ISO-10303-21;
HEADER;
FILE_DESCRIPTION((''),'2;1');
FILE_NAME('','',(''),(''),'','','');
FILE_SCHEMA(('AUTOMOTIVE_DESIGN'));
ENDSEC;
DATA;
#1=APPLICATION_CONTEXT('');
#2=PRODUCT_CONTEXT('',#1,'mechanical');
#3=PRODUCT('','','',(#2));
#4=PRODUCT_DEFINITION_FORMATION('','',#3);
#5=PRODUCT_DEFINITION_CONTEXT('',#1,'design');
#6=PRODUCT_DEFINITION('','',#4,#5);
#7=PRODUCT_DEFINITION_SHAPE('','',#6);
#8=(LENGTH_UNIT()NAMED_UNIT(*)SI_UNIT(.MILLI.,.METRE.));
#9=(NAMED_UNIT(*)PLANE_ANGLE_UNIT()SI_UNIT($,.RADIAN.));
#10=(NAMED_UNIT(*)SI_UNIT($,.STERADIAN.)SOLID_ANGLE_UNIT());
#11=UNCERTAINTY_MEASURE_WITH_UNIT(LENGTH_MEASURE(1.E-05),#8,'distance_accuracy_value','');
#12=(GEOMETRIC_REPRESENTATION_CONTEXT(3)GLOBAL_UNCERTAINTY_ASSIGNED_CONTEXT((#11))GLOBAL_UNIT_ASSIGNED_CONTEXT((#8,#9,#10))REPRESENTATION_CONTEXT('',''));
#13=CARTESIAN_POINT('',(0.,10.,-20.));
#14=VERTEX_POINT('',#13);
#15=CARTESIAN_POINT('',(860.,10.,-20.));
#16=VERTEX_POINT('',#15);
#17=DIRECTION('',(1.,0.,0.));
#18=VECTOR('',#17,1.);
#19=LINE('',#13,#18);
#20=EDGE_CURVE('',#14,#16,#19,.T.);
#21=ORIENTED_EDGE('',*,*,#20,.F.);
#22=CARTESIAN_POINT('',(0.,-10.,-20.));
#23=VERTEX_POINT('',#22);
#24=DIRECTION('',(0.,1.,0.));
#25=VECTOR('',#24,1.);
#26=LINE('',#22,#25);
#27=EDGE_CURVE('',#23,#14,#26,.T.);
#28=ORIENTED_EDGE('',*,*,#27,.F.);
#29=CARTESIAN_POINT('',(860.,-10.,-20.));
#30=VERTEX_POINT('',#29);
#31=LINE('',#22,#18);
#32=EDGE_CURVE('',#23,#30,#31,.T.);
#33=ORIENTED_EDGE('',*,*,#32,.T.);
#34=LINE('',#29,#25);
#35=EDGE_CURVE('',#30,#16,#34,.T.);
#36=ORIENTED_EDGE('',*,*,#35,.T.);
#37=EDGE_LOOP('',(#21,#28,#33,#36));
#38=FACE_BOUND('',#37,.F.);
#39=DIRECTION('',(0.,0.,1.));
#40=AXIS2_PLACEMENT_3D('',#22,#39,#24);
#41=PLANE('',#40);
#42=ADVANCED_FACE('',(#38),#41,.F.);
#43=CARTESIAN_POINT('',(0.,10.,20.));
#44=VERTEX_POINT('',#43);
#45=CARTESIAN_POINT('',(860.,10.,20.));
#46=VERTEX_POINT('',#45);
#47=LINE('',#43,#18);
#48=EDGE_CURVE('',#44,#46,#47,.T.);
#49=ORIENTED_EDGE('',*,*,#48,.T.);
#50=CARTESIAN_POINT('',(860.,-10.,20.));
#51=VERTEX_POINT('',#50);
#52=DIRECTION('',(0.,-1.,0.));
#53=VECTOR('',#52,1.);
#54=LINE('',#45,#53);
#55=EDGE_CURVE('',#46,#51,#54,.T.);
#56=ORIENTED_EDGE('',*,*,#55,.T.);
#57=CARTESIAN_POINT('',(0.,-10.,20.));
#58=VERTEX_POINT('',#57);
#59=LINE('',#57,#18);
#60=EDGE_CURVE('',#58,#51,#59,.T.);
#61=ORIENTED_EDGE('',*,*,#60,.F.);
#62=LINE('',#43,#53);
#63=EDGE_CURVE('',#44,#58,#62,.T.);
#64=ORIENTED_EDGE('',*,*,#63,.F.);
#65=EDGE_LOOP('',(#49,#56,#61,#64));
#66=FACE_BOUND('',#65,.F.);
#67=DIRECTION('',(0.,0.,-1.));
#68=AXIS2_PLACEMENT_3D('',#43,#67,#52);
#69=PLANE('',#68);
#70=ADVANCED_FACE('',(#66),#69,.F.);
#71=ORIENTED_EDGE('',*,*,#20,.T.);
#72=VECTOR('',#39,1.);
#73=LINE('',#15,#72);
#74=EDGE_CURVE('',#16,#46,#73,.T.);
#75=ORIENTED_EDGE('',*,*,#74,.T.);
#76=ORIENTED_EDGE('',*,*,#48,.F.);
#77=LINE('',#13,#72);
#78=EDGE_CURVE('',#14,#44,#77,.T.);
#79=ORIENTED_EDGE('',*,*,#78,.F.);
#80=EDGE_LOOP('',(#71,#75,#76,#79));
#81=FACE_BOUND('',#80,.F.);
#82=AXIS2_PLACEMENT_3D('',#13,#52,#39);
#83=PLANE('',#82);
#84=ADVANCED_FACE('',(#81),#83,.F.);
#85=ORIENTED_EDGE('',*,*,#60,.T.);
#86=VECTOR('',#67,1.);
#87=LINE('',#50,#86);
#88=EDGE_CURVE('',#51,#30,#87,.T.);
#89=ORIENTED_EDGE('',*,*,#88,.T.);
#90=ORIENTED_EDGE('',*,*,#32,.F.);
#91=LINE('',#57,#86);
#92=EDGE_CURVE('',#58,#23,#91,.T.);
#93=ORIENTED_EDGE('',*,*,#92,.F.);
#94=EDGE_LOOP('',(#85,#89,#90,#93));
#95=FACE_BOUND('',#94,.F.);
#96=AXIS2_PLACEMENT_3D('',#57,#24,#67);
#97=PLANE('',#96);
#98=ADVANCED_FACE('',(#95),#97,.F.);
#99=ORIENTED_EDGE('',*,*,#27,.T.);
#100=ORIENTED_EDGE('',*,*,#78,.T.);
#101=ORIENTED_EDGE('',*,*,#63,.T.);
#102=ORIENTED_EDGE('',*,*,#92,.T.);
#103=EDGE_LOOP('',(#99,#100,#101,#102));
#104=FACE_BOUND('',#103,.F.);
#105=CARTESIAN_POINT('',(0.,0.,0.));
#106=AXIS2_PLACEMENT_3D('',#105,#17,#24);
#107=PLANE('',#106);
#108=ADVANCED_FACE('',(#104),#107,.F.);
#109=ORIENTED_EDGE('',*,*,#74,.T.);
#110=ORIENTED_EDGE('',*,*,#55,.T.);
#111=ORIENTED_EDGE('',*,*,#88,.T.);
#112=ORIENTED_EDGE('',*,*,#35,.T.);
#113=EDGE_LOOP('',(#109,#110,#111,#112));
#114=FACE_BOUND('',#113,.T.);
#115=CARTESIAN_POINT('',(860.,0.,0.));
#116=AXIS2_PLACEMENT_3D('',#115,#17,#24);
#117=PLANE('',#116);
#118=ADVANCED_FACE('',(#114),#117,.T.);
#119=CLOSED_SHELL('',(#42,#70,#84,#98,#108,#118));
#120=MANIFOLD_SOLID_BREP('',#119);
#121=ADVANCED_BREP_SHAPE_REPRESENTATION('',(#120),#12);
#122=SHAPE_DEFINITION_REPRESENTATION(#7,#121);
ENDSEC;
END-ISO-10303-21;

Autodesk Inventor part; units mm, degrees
ref_plane "YZ Plane" through (0, 0, 0) normal (1, 0, 0) x (0, 1, 0)
ref_plane "XZ Plane" through (0, 0, 0) normal (0, 1, 0) x (-1, 0, 0)
ref_plane "XY Plane" through (0, 0, 0) normal (0, 0, 1) x (1, 0, 0)
sketch "Skizze2" plane through (0, 0, 0) normal (1, 0, 0) x (0, 1, 0)
  line L0 (-10, -20) -> (10, -20)
  line L1 (10, -20) -> (10, 20)
  line L2 (10, 20) -> (-10, 20)
  line L3 (-10, 20) -> (-10, -20)
  line L4 (-10, -20) -> (10, 20) construction
  line L5 (10, -20) -> (-10, 20) construction
  point P0 (0, 0)
  dimension "d4" = 20
  dimension "d5" = 40
extrude "Extrusion2" add sketch "Skizze2" along normal blind 860
properties part number "HFS5-2040-860" material "EN AC-51400-T5 Equiv."
